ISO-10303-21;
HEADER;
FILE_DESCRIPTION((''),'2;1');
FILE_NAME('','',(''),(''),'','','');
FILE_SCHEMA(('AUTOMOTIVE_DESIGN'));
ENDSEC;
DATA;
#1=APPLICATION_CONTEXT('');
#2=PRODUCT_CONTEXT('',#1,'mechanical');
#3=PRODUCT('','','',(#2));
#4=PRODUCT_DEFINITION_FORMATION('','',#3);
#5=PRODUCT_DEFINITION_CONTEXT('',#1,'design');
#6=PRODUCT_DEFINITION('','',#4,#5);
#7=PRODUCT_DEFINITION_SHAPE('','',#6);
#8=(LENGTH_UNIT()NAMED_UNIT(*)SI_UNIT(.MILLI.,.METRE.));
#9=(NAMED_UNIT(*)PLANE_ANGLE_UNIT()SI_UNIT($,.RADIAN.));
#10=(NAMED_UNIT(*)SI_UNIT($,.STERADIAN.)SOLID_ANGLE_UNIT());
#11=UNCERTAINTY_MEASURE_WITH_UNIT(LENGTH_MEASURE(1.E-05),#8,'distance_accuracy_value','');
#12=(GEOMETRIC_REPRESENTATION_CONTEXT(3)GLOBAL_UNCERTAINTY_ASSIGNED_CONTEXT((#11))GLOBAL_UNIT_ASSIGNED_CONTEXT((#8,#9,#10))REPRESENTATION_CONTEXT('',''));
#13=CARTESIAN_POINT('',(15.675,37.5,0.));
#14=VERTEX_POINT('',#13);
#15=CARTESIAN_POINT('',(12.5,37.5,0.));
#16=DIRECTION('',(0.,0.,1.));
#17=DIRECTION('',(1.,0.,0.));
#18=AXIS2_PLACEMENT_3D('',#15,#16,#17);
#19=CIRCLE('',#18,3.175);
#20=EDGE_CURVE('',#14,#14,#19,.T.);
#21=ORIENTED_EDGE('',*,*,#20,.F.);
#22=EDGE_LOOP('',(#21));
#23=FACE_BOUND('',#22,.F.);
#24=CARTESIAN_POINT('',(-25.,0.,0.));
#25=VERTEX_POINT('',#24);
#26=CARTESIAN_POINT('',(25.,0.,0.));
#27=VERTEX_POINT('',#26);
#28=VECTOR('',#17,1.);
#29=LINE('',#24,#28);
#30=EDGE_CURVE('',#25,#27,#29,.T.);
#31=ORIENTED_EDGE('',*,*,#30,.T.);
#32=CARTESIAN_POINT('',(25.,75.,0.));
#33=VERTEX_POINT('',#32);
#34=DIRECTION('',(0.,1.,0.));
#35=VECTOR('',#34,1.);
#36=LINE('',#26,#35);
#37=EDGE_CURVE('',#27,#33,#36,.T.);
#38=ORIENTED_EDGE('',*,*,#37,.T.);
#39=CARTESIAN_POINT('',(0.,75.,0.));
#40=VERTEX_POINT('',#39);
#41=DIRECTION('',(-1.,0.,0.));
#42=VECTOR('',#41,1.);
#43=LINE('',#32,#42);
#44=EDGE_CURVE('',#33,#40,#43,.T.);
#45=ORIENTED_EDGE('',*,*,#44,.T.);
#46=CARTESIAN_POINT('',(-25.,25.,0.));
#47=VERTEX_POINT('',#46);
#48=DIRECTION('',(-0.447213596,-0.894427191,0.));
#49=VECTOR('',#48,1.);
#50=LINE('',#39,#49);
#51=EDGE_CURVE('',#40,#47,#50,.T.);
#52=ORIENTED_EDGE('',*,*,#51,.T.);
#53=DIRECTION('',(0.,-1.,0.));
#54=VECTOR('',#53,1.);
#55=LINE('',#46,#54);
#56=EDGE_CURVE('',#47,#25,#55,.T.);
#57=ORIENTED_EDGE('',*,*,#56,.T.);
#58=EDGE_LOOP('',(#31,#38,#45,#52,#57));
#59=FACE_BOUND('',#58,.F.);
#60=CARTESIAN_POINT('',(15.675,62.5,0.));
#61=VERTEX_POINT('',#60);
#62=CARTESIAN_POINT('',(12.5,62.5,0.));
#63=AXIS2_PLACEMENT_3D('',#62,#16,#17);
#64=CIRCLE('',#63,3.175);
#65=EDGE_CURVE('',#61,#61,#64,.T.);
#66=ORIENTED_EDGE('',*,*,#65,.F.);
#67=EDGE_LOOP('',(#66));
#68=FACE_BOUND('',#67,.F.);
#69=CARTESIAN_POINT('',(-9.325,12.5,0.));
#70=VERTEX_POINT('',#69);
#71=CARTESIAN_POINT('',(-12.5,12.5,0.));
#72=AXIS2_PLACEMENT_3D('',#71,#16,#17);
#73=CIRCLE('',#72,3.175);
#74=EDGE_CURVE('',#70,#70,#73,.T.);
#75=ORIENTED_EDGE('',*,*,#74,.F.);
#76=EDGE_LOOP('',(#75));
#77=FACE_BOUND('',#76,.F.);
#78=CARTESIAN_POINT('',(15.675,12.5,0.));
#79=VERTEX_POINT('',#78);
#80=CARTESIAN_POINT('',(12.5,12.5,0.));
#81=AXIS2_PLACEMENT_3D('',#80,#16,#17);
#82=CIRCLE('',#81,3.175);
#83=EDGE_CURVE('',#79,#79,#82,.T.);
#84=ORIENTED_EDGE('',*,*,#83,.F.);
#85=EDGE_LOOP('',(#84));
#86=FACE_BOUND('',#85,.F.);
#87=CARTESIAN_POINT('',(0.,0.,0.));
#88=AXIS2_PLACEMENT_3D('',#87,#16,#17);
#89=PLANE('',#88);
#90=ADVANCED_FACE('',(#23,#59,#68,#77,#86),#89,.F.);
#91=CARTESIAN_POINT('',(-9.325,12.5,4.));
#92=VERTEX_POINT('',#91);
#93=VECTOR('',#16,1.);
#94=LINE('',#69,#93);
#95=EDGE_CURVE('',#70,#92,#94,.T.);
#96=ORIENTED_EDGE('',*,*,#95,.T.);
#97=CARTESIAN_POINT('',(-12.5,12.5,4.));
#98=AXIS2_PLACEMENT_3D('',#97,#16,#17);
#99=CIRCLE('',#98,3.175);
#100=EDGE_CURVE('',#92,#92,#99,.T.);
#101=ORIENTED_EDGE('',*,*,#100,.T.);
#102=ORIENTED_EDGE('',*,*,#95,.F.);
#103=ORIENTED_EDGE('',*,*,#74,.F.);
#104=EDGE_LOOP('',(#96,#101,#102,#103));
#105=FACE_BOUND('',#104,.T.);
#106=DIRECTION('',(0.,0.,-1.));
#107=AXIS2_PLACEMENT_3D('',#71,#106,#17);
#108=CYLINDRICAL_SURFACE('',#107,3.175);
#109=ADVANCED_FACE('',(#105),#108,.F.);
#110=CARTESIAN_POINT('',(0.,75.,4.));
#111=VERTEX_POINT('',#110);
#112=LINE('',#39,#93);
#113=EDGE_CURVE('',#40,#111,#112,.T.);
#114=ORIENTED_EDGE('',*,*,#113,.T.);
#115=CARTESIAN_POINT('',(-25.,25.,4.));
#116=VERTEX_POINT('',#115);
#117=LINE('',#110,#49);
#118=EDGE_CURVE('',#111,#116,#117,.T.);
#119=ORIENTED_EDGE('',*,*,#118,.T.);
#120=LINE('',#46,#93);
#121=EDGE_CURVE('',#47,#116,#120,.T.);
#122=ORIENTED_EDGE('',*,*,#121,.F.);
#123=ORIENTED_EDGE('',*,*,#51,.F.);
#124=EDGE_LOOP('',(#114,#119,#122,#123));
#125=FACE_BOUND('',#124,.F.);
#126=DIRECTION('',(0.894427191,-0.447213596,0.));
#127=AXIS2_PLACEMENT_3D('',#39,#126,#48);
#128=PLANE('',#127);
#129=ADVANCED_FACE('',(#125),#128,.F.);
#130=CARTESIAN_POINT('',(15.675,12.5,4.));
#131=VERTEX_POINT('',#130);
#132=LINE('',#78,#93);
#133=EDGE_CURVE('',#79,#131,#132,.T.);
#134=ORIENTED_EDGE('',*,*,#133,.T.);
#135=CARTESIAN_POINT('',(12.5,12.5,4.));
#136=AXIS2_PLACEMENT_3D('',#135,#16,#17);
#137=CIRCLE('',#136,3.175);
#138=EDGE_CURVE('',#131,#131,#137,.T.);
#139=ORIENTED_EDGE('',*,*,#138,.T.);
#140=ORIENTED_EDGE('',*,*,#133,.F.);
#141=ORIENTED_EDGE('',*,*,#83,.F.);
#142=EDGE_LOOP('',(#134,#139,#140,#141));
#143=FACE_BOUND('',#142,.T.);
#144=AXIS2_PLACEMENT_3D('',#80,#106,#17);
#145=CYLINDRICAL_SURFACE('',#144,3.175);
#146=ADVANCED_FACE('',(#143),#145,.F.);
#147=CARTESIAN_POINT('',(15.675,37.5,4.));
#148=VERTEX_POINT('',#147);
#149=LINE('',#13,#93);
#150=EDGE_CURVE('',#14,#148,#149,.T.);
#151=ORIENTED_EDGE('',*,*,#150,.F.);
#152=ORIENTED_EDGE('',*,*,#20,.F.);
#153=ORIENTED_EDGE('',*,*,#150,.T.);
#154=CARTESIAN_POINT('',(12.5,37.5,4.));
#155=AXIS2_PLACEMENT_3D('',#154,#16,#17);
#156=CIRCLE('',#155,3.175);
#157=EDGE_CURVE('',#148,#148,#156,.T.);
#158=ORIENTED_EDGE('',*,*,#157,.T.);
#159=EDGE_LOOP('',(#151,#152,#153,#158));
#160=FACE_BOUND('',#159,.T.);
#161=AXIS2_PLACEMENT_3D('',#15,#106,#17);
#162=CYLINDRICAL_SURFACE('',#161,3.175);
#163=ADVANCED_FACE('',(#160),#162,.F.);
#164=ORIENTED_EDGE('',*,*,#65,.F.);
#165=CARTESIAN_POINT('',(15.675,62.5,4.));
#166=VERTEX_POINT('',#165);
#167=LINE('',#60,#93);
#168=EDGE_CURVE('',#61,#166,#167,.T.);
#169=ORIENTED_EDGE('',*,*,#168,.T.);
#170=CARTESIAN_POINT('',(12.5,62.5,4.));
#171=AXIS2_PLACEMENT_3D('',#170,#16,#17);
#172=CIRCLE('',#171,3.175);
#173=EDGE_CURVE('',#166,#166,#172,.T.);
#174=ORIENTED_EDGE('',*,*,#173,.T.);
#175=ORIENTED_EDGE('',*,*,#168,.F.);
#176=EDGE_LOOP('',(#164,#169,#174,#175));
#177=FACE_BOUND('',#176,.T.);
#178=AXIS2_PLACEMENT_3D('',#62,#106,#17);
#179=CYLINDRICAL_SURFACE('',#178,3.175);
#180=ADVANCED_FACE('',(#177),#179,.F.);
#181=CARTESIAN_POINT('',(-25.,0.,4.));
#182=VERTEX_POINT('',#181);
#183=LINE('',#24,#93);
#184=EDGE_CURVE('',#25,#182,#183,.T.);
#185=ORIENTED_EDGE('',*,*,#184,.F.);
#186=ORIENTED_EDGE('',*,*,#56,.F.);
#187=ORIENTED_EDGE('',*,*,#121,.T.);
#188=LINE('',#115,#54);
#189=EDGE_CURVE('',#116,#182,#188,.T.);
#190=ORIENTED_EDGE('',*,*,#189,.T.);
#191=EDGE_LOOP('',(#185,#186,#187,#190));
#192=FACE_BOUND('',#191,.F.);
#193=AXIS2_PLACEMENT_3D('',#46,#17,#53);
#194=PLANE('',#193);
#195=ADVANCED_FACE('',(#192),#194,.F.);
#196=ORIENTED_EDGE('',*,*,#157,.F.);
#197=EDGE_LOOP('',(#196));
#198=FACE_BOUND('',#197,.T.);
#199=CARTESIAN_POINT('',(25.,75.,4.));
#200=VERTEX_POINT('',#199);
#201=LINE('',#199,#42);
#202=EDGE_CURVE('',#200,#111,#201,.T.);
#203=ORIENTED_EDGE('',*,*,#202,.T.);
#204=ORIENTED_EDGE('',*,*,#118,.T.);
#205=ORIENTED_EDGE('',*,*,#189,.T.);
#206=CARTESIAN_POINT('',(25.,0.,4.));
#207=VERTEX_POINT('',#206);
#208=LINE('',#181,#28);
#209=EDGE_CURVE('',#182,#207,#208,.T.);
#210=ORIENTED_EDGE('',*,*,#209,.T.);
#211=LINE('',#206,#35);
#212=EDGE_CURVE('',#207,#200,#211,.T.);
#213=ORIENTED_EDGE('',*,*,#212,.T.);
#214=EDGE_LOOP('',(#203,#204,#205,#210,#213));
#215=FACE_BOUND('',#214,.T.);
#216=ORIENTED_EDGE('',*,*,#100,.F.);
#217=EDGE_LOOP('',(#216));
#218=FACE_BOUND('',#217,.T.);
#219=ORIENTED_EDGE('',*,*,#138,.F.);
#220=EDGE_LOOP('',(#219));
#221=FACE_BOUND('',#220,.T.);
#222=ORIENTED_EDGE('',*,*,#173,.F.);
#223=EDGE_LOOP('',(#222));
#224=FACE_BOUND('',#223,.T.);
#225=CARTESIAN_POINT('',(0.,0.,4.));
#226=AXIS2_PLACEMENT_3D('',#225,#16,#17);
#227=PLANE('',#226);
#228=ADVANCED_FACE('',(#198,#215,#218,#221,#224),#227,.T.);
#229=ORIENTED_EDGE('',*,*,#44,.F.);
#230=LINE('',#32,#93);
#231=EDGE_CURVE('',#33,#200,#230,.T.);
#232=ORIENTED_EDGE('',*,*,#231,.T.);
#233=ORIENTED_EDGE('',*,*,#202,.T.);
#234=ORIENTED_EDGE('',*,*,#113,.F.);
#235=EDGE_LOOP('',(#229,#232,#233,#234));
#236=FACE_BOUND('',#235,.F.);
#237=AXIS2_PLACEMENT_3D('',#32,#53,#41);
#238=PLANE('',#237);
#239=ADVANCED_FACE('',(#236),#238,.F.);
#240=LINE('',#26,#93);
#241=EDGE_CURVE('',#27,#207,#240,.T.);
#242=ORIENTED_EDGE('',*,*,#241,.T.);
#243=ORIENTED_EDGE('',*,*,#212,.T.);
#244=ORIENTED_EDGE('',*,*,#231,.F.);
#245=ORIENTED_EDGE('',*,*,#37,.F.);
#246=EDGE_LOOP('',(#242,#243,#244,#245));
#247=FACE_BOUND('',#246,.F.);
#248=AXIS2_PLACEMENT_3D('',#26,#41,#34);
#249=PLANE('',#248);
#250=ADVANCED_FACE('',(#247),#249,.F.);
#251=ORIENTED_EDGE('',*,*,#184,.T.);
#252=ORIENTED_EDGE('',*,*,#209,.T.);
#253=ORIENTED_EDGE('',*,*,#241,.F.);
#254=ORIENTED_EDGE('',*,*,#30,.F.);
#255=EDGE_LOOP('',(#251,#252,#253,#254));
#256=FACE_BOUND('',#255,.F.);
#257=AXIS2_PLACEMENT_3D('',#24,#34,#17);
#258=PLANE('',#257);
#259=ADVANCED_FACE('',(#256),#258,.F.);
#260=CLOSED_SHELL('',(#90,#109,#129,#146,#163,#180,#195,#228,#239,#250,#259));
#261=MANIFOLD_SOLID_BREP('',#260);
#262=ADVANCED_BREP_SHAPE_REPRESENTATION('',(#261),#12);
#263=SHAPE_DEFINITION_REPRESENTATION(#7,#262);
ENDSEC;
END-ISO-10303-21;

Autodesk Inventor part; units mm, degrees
ref_plane "YZ Plane" through (0, 0, 0) normal (1, 0, 0) x (0, 1, 0)
ref_plane "XZ Plane" through (0, 0, 0) normal (0, 1, 0) x (-1, 0, 0)
ref_plane "XY Plane" through (0, 0, 0) normal (0, 0, 1) x (1, 0, 0)
sketch "Sketch_1" plane through (0, 0, 0) normal (0, 0, 1) x (1, 0, 0)
  line L0 (-25, 25) -> (-25, 0)
  line L1 (-25, 0) -> (25, 0)
  line L2 (25, 0) -> (25, 75)
  line L3 (25, 75) -> (0, 75)
  line L4 (0, 75) -> (-25, 25)
  circle A0 centre (12.5, 12.5) radius 3.175
  circle A1 centre (12.5, 37.5) radius 3.175
  circle A2 centre (12.5, 62.5) radius 3.175
  circle A3 centre (-12.5, 12.5) radius 3.175
extrude "Extrusion1" add sketch "Sketch_1" along normal blind 4
properties part number "25-4150"
